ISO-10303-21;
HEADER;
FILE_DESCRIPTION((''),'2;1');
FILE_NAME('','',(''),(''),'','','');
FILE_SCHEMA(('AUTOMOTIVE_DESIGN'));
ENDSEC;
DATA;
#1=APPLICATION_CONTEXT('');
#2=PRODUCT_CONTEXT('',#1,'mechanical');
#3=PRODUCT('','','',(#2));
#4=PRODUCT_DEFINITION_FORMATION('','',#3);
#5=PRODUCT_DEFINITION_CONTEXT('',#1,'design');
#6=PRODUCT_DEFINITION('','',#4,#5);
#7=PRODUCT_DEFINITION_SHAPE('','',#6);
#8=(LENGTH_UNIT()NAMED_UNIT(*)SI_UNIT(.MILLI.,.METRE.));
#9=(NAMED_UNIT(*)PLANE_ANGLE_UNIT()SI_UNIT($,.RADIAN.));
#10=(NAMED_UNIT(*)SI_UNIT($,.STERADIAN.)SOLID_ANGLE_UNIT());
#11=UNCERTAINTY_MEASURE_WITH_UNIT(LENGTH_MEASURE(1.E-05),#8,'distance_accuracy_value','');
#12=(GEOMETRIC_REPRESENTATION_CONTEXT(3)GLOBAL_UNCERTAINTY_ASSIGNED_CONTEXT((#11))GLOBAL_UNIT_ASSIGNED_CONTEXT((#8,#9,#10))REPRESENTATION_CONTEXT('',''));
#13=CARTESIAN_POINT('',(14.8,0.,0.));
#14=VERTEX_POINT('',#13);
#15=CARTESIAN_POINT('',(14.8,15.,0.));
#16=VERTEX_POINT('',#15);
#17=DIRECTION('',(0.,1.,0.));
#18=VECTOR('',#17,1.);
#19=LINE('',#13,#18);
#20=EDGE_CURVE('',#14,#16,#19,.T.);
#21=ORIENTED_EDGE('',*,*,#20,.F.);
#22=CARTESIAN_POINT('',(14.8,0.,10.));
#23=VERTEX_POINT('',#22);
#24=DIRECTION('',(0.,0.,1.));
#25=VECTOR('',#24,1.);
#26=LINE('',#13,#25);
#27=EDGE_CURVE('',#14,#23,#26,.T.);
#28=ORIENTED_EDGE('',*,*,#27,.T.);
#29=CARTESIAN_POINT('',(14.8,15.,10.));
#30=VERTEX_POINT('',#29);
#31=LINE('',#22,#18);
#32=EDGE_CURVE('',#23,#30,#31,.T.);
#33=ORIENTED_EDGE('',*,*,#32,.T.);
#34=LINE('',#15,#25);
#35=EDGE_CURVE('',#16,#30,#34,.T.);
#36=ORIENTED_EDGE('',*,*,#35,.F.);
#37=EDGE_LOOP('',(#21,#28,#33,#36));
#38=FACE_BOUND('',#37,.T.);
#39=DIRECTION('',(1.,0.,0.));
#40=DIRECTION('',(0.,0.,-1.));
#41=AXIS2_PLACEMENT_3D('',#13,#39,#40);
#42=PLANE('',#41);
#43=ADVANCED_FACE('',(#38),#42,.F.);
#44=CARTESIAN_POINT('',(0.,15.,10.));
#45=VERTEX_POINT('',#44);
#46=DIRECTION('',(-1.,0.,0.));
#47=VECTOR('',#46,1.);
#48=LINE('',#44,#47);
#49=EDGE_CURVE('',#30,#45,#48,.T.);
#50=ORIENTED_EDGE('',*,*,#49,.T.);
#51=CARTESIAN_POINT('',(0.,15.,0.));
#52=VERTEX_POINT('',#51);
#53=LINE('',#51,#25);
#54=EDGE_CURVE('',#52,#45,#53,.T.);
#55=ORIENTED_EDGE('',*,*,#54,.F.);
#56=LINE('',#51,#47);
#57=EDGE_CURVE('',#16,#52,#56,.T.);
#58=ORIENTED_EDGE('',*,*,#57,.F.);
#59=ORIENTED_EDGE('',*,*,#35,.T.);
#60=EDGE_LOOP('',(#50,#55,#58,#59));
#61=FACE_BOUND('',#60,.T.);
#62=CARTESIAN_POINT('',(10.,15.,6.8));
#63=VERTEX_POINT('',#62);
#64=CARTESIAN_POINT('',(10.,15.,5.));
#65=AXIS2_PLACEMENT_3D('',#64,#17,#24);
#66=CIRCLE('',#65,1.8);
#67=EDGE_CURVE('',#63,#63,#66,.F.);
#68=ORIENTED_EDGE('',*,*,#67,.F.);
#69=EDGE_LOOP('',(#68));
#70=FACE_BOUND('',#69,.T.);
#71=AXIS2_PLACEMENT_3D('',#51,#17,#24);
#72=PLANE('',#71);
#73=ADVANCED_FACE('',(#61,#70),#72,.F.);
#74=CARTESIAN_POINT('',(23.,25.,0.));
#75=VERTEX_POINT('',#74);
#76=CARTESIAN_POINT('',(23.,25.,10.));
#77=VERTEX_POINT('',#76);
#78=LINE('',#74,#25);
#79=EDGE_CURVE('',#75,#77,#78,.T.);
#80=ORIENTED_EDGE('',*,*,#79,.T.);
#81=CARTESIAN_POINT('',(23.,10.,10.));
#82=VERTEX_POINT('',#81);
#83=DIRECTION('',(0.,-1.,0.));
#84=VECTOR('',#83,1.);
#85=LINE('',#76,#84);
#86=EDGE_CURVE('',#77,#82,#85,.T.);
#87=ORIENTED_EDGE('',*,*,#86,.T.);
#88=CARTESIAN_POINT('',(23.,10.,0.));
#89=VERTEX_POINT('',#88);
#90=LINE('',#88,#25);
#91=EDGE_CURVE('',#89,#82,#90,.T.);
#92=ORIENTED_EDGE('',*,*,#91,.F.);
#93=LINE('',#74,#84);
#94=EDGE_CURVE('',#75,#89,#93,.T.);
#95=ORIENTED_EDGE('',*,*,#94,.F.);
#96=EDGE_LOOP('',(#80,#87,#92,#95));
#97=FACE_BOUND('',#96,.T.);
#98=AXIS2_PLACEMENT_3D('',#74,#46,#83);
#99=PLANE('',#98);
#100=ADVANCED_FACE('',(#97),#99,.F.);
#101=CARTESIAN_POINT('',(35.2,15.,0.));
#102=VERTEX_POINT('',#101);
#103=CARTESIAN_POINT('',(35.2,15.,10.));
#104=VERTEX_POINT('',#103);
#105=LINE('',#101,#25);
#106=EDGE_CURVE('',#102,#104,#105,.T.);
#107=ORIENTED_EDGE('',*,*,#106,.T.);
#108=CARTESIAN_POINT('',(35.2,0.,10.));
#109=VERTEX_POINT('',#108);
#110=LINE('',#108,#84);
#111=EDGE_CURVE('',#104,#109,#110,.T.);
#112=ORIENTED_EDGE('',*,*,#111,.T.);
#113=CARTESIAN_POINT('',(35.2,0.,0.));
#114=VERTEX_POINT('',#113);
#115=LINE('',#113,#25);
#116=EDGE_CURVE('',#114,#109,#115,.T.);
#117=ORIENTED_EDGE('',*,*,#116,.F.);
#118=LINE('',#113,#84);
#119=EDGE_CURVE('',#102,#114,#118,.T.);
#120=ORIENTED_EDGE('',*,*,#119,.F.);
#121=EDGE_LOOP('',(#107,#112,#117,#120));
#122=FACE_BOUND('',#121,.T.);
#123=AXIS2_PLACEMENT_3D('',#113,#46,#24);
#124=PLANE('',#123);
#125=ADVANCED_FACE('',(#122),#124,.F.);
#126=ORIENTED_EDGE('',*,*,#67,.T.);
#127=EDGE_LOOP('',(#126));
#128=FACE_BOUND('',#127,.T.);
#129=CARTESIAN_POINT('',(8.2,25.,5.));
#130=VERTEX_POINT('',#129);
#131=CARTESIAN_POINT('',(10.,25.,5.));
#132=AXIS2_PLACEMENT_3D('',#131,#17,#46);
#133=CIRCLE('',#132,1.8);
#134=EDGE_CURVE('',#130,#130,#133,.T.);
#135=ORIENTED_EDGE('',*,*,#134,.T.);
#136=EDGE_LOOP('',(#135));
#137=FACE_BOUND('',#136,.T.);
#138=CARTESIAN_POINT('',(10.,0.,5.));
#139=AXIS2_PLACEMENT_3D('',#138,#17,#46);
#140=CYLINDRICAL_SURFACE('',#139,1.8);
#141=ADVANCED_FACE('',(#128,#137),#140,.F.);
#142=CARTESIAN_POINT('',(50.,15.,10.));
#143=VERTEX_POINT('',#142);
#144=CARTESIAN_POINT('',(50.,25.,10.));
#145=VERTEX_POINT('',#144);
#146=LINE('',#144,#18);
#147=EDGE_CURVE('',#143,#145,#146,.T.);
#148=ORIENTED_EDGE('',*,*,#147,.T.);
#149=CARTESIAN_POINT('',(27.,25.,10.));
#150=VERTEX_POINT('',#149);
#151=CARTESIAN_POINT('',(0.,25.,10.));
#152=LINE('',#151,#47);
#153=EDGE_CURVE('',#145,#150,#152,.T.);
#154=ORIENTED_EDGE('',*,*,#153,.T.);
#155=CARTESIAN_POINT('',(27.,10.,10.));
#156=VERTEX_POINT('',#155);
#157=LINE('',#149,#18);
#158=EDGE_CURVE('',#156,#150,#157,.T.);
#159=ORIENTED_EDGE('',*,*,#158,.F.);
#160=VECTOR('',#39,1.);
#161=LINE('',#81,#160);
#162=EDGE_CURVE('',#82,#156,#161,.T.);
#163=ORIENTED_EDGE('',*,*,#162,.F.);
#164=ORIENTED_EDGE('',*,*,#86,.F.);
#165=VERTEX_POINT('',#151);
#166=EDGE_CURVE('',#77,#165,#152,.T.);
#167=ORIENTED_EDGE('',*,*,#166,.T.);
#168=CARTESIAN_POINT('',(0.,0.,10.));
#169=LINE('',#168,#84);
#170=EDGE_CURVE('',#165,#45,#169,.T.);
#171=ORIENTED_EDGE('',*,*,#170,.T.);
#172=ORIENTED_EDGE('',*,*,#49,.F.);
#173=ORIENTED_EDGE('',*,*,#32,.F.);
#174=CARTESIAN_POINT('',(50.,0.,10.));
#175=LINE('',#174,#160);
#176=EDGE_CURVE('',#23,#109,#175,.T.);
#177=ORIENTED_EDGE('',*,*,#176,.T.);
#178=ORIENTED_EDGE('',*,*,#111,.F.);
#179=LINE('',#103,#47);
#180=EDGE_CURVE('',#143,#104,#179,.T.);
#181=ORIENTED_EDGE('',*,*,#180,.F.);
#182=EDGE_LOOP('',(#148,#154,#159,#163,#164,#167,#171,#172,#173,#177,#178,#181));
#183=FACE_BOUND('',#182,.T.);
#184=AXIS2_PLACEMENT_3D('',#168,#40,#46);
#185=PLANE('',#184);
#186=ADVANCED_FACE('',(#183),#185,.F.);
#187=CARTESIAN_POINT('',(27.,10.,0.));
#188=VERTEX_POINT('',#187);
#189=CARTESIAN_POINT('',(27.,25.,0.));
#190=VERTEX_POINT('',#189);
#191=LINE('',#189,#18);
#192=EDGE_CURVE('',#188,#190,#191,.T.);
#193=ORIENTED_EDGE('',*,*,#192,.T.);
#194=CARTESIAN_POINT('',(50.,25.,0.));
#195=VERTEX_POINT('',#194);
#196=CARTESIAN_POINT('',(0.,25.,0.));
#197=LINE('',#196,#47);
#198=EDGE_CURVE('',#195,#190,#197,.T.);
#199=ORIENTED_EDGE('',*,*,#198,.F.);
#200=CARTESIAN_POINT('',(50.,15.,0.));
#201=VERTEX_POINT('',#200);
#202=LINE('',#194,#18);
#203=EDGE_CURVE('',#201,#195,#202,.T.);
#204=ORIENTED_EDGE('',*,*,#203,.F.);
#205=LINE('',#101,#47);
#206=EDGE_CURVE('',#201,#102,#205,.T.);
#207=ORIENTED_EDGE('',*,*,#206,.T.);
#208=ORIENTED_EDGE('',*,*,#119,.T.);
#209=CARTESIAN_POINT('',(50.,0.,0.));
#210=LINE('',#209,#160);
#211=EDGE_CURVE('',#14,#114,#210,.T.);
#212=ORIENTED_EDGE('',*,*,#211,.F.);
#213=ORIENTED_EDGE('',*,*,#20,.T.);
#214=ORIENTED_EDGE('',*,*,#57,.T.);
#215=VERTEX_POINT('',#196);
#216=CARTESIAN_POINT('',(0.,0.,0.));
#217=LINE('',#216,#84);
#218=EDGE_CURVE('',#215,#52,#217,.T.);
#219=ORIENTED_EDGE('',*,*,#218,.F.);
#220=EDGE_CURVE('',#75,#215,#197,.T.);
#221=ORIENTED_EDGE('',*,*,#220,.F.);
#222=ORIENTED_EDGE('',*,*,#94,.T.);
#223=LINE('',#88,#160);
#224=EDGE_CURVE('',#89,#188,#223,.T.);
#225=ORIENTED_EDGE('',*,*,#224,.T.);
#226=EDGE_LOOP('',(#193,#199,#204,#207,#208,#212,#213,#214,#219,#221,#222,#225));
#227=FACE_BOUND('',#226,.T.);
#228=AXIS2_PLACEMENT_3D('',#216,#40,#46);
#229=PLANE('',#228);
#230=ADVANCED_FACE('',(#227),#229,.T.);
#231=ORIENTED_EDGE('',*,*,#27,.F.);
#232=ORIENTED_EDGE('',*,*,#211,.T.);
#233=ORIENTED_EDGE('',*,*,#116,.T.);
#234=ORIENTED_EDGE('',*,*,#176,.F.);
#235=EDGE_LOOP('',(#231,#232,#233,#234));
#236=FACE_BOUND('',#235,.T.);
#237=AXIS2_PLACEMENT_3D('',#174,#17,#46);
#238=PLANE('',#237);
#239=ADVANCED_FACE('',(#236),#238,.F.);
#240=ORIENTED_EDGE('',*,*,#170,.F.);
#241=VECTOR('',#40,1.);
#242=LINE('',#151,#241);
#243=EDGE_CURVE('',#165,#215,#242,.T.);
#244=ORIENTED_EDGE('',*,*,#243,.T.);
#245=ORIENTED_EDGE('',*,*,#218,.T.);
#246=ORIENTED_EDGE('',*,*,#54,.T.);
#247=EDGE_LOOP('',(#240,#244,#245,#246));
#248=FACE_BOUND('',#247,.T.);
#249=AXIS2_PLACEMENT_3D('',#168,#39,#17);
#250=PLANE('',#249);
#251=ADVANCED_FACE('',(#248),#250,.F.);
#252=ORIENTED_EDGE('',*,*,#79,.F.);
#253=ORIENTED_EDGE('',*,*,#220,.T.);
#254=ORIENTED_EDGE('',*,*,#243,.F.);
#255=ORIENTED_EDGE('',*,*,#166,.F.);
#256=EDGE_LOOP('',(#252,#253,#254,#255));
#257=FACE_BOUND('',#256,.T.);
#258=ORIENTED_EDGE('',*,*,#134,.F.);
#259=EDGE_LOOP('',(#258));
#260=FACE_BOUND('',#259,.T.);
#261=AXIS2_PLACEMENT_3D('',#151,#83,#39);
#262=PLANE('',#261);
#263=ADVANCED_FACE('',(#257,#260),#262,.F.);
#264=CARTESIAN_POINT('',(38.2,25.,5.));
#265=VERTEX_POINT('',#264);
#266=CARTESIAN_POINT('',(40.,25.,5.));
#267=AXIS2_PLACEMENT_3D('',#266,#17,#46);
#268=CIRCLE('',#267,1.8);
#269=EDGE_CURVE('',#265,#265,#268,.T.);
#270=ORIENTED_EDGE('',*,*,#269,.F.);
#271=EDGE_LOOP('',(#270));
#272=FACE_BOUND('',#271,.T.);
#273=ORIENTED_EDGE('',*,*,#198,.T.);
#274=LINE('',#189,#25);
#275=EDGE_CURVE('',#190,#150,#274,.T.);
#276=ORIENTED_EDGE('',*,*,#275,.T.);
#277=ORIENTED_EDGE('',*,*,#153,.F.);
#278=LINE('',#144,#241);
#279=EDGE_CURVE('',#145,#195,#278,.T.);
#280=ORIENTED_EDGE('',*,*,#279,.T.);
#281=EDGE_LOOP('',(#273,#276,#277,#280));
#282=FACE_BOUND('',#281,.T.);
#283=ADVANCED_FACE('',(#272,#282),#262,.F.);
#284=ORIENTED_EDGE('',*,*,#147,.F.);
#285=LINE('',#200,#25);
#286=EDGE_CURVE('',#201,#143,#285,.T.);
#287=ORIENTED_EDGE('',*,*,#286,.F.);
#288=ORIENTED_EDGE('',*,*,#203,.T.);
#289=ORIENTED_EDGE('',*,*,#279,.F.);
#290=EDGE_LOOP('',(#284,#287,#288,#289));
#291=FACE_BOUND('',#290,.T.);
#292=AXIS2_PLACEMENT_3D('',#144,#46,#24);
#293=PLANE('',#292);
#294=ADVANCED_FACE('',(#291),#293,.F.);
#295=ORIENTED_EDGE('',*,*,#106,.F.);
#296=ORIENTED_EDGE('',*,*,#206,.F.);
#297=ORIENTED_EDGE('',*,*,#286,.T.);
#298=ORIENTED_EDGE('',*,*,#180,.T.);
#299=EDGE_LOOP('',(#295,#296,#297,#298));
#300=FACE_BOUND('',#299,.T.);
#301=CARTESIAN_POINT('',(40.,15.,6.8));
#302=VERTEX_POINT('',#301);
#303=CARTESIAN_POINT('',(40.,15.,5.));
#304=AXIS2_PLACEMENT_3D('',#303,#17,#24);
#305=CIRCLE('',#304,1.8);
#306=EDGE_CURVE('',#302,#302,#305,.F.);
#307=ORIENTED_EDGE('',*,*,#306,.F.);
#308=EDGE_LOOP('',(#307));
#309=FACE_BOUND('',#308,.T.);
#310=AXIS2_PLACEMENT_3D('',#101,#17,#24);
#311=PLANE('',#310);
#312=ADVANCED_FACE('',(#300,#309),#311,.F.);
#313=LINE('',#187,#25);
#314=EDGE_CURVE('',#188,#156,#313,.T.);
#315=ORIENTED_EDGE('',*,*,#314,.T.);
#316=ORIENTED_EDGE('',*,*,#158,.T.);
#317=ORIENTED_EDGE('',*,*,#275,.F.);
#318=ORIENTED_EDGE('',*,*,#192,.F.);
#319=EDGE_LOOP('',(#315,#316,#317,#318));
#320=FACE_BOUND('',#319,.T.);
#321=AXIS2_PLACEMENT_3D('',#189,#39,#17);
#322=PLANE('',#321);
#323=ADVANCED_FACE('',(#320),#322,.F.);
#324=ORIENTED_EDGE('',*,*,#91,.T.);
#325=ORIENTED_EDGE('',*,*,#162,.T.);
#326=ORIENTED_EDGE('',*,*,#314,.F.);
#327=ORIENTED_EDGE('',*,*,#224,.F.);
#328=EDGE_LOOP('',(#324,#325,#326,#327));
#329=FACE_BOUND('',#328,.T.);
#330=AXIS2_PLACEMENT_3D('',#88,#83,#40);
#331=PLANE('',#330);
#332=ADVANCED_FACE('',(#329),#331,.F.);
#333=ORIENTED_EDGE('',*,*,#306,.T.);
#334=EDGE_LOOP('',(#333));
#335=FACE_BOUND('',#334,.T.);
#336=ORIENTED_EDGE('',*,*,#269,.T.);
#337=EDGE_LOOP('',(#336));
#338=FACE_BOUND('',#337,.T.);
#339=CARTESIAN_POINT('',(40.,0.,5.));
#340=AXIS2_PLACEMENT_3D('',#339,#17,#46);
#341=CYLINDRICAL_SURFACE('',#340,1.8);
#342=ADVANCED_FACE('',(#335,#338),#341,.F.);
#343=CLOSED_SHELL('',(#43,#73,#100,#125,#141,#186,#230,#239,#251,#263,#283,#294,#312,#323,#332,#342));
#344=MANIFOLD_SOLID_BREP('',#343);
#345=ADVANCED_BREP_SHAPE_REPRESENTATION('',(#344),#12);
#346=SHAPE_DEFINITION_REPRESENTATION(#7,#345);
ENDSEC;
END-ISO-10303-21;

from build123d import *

# Parameters (mm, degrees)
SKETCH1_W           = 50
SKETCH1_H           = 25
BOSS_EXTRUDE1_DEPTH = 10
SKETCH2_R           = 1.8
CUT_EXTRUDE1_DEPTH  = 57.789083458
SKETCH3_W           = 4
SKETCH3_H           = 15
CUT_EXTRUDE2_DEPTH  = 10
SKETCH6_W           = 14.8
SKETCH6_H           = 15
CUT_EXTRUDE3_DEPTH  = 57.789083458


with BuildPart() as part:
    # Sketch1 → Boss-Extrude1 (new body)
    with BuildSketch(Plane.XY):
        with Locations((25, 12.5)):
            Rectangle(SKETCH1_W, SKETCH1_H)
    extrude(amount=BOSS_EXTRUDE1_DEPTH)

    # Sketch2 → Cut-Extrude1 (cut, through all)
    with BuildSketch(Plane(origin=(0, 25, 0), x_dir=(1, 0, 0), z_dir=(0, 1, 0))):
        with Locations(Location((10, -5, 0), (0, 0, 180))):
            Circle(SKETCH2_R)
        with Locations(Location((40, -5, 0), (0, 0, 180))):
            Circle(SKETCH2_R)
    extrude(amount=-CUT_EXTRUDE1_DEPTH, mode=Mode.SUBTRACT)

    # Sketch3 → Cut-Extrude2 (cut)
    with BuildSketch(Plane.XY.offset(10)):
        with Locations((25, 17.5)):
            Rectangle(SKETCH3_W, SKETCH3_H)
    extrude(amount=-CUT_EXTRUDE2_DEPTH, mode=Mode.SUBTRACT)

    # Sketch6 → Cut-Extrude3 (cut, through all)
    with BuildSketch(Plane.XY.offset(10)):
        with Locations((7.4, 7.5)):
            Rectangle(SKETCH6_W, SKETCH6_H)
        with Locations((42.6, 7.5)):
            Rectangle(SKETCH6_W, SKETCH6_H)
    extrude(amount=-CUT_EXTRUDE3_DEPTH, mode=Mode.SUBTRACT)


solid = part.part
